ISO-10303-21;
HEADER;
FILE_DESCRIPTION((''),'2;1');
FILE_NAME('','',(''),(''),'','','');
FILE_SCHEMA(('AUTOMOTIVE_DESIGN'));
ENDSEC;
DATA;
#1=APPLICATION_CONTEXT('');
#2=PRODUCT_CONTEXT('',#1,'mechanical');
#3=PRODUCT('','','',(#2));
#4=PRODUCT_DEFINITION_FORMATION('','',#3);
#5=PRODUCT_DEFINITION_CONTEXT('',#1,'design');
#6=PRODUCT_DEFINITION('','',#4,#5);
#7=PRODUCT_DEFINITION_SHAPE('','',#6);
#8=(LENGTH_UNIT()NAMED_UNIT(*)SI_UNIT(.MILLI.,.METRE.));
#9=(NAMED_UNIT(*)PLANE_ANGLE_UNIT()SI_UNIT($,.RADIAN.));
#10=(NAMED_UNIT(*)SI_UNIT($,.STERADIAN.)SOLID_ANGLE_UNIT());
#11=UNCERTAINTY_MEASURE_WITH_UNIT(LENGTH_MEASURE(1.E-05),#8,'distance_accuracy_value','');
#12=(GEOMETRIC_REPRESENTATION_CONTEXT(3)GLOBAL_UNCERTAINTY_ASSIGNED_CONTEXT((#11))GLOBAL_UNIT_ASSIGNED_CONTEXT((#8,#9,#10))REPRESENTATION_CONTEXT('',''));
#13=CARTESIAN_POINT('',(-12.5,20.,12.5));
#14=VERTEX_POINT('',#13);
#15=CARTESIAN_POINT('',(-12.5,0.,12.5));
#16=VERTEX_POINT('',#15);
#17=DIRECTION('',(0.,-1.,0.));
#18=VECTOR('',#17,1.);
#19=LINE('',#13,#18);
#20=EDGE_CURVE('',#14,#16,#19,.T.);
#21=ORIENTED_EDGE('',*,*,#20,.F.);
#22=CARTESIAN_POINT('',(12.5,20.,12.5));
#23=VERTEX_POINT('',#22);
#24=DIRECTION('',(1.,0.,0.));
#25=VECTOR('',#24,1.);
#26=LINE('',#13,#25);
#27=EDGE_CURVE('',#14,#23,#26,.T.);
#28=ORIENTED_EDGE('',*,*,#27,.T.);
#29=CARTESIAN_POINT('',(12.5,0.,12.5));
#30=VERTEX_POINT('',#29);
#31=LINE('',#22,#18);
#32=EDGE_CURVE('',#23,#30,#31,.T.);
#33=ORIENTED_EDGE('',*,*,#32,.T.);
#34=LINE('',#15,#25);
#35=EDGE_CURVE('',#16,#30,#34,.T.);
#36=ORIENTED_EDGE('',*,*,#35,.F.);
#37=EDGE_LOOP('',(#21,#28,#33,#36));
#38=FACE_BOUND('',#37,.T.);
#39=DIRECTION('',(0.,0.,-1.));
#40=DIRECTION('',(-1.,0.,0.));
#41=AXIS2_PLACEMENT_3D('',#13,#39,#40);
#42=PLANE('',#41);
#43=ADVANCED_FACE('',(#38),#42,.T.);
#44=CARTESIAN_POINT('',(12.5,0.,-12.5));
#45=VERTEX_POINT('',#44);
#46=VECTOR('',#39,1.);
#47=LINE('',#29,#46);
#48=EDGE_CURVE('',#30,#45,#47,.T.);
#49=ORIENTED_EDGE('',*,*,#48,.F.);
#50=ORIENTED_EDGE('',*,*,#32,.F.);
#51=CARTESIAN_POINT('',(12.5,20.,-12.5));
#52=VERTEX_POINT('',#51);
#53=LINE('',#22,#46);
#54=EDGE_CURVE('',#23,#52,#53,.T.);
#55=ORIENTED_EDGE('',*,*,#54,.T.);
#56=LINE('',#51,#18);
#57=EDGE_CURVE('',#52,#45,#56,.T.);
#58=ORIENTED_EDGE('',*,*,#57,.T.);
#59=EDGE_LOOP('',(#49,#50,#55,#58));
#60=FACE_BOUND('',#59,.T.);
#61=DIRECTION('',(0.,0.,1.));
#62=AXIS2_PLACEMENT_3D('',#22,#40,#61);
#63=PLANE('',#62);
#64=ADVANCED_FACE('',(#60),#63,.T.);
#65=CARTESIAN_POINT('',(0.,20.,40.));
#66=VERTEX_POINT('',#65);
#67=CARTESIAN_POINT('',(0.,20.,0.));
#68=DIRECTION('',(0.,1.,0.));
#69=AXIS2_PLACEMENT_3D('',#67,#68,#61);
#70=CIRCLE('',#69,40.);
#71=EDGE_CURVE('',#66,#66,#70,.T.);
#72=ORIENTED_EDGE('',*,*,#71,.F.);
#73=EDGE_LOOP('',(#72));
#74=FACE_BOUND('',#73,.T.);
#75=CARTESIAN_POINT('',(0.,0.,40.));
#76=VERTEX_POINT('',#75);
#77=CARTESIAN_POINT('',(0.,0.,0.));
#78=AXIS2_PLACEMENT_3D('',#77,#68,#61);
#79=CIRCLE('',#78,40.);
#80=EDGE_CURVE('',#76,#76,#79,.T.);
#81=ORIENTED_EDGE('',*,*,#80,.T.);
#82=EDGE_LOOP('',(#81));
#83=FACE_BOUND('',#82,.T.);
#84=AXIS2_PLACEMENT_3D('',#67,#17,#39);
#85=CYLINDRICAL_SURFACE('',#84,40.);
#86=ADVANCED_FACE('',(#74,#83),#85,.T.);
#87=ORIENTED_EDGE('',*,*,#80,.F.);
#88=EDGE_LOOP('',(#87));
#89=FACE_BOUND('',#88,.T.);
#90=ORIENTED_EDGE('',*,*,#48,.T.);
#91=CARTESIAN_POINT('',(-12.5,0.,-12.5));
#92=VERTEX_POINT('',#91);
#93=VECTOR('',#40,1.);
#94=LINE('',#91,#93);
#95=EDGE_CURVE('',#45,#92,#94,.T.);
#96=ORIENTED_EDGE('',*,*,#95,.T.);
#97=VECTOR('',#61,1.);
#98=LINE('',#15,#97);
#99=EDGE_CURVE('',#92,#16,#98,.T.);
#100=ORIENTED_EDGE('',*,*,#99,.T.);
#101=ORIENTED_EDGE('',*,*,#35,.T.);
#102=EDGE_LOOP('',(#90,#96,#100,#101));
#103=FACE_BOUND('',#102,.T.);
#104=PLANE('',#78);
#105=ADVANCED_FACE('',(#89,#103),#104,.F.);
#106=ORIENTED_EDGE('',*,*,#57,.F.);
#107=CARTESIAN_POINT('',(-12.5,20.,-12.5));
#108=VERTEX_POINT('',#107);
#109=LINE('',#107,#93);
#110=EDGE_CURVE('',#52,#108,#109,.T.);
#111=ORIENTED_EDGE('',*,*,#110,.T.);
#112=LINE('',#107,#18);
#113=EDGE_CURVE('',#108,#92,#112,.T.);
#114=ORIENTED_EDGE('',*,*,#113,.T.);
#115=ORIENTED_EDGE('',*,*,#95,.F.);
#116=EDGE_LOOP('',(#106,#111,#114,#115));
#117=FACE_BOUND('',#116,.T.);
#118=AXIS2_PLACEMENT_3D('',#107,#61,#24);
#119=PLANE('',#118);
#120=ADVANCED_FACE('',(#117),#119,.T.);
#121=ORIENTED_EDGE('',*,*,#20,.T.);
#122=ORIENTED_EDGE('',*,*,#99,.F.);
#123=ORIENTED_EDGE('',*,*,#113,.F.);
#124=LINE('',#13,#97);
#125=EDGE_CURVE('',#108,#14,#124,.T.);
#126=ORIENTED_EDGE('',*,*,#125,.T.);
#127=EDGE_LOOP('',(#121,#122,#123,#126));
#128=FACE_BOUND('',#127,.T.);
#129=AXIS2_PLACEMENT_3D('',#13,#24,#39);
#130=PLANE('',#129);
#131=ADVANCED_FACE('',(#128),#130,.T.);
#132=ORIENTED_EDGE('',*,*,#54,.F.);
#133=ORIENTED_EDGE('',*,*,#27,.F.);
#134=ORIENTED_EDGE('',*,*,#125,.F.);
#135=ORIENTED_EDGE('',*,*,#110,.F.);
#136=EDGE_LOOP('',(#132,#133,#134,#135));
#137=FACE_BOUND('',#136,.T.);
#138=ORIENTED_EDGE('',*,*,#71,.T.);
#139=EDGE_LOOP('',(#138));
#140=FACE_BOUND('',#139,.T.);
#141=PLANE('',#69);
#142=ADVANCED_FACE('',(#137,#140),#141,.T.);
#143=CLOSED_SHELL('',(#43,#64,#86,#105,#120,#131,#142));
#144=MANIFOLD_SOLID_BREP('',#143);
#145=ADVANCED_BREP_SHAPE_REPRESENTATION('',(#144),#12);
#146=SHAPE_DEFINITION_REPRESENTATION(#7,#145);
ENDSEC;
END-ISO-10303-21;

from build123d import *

# Parameters (mm, degrees)
SKETCH1_R           = 40
SKETCH1_W           = 25
SKETCH1_H           = 25
BOSS_EXTRUDE1_DEPTH = 20


with BuildPart() as part:
    # Sketch1 → Boss-Extrude1 (new body)
    with BuildSketch(Plane(origin=(0, 0, 0), x_dir=(1, 0, 0), z_dir=(0, 1, 0))):
        with Locations(Location((0, 0, 0), (0, 0, 270))):
            Circle(SKETCH1_R)
        Rectangle(SKETCH1_W, SKETCH1_H, mode=Mode.SUBTRACT)
    extrude(amount=BOSS_EXTRUDE1_DEPTH)


solid = part.part
